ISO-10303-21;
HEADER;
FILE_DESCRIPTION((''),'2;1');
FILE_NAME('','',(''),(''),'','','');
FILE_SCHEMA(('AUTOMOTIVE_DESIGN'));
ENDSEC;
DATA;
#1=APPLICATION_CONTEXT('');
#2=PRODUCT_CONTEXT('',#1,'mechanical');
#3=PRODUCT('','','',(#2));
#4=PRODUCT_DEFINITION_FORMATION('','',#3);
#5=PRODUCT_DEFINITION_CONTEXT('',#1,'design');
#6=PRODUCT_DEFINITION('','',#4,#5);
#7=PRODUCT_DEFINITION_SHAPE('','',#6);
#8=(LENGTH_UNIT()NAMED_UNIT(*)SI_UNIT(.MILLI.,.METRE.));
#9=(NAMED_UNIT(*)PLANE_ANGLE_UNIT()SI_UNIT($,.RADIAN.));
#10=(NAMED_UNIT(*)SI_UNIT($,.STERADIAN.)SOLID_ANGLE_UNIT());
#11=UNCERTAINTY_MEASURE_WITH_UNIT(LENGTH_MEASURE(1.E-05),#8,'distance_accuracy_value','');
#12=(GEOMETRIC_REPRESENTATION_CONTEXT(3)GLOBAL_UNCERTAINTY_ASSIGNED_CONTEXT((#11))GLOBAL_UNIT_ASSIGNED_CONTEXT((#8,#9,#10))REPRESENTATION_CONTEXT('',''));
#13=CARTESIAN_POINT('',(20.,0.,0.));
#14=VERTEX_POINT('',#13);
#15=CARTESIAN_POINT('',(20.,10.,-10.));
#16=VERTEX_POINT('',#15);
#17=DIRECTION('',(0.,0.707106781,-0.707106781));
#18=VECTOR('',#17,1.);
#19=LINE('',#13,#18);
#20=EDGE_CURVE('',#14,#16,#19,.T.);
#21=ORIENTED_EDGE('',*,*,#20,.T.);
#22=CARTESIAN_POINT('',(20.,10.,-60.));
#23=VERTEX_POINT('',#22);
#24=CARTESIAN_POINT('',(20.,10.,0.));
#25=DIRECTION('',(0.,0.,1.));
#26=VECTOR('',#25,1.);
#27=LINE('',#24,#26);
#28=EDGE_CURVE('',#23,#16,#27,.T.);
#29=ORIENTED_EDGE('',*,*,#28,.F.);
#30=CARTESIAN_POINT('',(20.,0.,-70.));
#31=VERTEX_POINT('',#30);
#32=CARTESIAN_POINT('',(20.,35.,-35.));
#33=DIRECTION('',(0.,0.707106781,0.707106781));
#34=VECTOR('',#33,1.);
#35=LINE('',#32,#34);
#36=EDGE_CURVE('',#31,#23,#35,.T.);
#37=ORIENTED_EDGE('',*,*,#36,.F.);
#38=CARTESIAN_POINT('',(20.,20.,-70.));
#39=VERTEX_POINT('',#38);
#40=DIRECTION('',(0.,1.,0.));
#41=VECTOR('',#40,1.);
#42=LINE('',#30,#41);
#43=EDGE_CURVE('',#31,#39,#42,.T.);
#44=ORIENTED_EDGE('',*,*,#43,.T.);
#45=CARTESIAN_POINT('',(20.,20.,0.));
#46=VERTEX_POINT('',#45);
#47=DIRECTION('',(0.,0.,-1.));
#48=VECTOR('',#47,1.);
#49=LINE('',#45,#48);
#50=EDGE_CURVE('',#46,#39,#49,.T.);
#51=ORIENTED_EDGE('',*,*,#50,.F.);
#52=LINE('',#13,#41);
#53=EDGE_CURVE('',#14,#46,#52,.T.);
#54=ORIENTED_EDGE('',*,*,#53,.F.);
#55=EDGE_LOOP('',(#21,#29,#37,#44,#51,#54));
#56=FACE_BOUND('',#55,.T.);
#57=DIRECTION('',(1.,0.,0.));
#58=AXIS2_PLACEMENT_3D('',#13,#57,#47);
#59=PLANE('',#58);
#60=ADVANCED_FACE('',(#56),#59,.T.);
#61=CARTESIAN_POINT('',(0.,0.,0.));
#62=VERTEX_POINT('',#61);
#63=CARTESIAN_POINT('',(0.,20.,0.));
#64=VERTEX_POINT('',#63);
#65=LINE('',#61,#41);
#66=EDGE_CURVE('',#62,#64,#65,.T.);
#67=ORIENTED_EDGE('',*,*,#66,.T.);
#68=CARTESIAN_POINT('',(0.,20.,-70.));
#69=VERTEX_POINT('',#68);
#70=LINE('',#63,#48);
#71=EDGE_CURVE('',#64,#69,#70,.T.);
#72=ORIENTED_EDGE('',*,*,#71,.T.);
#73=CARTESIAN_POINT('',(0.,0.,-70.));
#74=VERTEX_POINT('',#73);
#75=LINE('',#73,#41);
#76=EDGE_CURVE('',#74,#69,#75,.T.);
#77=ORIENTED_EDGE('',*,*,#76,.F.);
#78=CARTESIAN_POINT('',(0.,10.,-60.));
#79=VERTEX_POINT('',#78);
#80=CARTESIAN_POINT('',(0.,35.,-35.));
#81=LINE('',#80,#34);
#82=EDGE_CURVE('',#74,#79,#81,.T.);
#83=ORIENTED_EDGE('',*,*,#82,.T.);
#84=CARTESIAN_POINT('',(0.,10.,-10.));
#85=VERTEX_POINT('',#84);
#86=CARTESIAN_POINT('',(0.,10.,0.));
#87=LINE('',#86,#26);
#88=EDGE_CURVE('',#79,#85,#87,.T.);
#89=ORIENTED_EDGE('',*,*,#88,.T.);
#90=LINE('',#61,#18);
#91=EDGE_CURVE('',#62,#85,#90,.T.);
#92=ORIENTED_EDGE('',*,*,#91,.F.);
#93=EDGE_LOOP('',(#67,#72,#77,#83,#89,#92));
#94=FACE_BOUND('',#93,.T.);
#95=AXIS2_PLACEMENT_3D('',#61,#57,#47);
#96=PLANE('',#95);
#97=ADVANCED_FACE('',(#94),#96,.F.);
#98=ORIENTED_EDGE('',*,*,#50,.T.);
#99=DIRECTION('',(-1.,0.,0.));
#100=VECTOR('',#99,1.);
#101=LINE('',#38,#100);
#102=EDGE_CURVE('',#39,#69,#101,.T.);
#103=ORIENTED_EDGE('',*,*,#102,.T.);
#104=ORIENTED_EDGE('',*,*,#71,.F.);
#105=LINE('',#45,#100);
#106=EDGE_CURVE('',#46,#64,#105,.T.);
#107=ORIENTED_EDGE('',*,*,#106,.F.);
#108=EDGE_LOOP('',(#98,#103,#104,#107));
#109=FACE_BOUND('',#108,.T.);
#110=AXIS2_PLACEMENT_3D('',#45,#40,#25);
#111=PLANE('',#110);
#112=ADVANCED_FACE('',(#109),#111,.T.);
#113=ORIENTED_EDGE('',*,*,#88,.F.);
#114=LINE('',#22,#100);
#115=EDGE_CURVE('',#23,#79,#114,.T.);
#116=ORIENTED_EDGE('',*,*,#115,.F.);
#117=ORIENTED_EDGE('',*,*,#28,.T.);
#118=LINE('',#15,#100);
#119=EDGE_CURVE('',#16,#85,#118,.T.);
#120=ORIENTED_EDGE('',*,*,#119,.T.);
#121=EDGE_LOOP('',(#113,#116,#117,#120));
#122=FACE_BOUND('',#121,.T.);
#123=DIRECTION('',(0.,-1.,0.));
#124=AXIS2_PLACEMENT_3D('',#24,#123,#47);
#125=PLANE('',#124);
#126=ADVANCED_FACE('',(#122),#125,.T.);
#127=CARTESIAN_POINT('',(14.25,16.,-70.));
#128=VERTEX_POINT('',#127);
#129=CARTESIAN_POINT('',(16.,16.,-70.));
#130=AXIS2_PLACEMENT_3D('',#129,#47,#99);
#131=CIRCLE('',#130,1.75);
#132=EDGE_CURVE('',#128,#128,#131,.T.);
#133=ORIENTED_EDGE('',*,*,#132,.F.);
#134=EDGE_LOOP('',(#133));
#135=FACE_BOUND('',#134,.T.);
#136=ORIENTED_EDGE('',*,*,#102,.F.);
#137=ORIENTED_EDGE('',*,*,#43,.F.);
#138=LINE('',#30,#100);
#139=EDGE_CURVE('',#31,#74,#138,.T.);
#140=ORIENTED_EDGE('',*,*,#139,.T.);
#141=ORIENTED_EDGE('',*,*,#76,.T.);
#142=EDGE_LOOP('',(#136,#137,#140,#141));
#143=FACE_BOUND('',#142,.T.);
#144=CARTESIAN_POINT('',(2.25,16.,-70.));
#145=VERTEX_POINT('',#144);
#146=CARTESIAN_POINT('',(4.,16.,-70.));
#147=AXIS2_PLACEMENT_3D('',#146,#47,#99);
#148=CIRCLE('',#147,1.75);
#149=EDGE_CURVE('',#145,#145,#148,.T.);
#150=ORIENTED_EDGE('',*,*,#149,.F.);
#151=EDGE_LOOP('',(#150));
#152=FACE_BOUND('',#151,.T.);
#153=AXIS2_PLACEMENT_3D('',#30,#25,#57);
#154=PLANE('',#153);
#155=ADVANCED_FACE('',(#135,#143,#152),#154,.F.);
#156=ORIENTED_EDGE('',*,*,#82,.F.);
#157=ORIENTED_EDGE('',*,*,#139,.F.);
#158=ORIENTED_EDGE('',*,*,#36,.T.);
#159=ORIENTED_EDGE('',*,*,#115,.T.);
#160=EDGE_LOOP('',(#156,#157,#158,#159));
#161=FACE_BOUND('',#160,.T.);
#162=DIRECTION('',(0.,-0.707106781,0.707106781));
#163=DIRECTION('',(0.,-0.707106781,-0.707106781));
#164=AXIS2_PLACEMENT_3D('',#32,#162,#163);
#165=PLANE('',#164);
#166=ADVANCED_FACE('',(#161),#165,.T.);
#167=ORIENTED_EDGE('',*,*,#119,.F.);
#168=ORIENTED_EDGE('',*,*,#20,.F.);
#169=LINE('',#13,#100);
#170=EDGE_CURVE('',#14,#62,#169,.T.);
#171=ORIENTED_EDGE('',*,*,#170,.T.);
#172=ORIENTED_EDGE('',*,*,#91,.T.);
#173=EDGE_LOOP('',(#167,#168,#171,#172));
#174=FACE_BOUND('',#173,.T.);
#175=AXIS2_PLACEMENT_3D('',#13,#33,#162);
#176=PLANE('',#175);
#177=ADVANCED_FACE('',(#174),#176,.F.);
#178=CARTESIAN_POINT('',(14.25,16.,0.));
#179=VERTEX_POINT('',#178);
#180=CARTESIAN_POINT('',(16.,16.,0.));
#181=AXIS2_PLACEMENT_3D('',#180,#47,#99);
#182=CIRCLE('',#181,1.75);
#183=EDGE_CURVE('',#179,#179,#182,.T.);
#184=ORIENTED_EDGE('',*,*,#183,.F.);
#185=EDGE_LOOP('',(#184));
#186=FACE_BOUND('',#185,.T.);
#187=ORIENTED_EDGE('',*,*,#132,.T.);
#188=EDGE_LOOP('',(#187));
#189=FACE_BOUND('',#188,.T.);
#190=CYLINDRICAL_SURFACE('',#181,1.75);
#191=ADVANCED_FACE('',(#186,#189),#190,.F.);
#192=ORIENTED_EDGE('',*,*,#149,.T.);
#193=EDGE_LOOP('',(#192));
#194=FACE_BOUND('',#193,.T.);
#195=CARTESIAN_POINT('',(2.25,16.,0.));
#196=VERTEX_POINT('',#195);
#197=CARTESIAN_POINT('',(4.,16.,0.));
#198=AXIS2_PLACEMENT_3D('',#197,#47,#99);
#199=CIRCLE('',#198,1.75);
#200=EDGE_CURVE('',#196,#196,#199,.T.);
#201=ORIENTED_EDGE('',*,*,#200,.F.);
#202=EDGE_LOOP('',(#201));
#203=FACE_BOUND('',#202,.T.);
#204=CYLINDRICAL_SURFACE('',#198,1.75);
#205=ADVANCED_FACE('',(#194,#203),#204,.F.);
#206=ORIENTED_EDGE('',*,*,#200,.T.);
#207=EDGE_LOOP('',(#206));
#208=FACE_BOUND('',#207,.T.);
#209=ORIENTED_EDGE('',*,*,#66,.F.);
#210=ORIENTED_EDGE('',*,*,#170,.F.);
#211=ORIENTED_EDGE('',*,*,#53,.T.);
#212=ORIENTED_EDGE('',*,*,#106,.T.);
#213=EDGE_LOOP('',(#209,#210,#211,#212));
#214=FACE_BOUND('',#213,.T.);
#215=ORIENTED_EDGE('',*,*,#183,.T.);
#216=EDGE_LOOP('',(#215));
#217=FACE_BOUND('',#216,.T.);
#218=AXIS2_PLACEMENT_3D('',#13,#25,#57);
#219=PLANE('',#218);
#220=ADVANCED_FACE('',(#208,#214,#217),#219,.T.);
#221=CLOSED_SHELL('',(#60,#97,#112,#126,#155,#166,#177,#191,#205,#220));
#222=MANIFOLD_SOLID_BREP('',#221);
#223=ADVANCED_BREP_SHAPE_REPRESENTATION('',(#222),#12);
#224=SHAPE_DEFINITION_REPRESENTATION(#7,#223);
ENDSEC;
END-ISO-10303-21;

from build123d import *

# Parameters (mm, degrees)
BOSS_EXTRUDE1_DEPTH = 20
SKETCH2_R           = 1.75
CUT_EXTRUDE1_DEPTH  = 76.498344353


with BuildPart() as part:
    # Sketch1 → Boss-Extrude1 (new body)
    with BuildSketch(Plane(origin=(0, 0, 0), x_dir=(0, 0, -1), z_dir=(1, 0, 0))):
        Polygon((60, 10), (10, 10), (0, 0), (0, 20), (70, 20), (70, 0), align=None)
    extrude(amount=BOSS_EXTRUDE1_DEPTH)

    # Sketch2 → Cut-Extrude1 (cut, through all)
    with BuildSketch(Plane(origin=(0, 0, -70), x_dir=(-1, 0, 0), z_dir=(0, 0, -1))):
        with Locations((-4, 16)):
            Circle(SKETCH2_R)
        with Locations((-16, 16)):
            Circle(SKETCH2_R)
    extrude(amount=-CUT_EXTRUDE1_DEPTH, mode=Mode.SUBTRACT)


solid = part.part
